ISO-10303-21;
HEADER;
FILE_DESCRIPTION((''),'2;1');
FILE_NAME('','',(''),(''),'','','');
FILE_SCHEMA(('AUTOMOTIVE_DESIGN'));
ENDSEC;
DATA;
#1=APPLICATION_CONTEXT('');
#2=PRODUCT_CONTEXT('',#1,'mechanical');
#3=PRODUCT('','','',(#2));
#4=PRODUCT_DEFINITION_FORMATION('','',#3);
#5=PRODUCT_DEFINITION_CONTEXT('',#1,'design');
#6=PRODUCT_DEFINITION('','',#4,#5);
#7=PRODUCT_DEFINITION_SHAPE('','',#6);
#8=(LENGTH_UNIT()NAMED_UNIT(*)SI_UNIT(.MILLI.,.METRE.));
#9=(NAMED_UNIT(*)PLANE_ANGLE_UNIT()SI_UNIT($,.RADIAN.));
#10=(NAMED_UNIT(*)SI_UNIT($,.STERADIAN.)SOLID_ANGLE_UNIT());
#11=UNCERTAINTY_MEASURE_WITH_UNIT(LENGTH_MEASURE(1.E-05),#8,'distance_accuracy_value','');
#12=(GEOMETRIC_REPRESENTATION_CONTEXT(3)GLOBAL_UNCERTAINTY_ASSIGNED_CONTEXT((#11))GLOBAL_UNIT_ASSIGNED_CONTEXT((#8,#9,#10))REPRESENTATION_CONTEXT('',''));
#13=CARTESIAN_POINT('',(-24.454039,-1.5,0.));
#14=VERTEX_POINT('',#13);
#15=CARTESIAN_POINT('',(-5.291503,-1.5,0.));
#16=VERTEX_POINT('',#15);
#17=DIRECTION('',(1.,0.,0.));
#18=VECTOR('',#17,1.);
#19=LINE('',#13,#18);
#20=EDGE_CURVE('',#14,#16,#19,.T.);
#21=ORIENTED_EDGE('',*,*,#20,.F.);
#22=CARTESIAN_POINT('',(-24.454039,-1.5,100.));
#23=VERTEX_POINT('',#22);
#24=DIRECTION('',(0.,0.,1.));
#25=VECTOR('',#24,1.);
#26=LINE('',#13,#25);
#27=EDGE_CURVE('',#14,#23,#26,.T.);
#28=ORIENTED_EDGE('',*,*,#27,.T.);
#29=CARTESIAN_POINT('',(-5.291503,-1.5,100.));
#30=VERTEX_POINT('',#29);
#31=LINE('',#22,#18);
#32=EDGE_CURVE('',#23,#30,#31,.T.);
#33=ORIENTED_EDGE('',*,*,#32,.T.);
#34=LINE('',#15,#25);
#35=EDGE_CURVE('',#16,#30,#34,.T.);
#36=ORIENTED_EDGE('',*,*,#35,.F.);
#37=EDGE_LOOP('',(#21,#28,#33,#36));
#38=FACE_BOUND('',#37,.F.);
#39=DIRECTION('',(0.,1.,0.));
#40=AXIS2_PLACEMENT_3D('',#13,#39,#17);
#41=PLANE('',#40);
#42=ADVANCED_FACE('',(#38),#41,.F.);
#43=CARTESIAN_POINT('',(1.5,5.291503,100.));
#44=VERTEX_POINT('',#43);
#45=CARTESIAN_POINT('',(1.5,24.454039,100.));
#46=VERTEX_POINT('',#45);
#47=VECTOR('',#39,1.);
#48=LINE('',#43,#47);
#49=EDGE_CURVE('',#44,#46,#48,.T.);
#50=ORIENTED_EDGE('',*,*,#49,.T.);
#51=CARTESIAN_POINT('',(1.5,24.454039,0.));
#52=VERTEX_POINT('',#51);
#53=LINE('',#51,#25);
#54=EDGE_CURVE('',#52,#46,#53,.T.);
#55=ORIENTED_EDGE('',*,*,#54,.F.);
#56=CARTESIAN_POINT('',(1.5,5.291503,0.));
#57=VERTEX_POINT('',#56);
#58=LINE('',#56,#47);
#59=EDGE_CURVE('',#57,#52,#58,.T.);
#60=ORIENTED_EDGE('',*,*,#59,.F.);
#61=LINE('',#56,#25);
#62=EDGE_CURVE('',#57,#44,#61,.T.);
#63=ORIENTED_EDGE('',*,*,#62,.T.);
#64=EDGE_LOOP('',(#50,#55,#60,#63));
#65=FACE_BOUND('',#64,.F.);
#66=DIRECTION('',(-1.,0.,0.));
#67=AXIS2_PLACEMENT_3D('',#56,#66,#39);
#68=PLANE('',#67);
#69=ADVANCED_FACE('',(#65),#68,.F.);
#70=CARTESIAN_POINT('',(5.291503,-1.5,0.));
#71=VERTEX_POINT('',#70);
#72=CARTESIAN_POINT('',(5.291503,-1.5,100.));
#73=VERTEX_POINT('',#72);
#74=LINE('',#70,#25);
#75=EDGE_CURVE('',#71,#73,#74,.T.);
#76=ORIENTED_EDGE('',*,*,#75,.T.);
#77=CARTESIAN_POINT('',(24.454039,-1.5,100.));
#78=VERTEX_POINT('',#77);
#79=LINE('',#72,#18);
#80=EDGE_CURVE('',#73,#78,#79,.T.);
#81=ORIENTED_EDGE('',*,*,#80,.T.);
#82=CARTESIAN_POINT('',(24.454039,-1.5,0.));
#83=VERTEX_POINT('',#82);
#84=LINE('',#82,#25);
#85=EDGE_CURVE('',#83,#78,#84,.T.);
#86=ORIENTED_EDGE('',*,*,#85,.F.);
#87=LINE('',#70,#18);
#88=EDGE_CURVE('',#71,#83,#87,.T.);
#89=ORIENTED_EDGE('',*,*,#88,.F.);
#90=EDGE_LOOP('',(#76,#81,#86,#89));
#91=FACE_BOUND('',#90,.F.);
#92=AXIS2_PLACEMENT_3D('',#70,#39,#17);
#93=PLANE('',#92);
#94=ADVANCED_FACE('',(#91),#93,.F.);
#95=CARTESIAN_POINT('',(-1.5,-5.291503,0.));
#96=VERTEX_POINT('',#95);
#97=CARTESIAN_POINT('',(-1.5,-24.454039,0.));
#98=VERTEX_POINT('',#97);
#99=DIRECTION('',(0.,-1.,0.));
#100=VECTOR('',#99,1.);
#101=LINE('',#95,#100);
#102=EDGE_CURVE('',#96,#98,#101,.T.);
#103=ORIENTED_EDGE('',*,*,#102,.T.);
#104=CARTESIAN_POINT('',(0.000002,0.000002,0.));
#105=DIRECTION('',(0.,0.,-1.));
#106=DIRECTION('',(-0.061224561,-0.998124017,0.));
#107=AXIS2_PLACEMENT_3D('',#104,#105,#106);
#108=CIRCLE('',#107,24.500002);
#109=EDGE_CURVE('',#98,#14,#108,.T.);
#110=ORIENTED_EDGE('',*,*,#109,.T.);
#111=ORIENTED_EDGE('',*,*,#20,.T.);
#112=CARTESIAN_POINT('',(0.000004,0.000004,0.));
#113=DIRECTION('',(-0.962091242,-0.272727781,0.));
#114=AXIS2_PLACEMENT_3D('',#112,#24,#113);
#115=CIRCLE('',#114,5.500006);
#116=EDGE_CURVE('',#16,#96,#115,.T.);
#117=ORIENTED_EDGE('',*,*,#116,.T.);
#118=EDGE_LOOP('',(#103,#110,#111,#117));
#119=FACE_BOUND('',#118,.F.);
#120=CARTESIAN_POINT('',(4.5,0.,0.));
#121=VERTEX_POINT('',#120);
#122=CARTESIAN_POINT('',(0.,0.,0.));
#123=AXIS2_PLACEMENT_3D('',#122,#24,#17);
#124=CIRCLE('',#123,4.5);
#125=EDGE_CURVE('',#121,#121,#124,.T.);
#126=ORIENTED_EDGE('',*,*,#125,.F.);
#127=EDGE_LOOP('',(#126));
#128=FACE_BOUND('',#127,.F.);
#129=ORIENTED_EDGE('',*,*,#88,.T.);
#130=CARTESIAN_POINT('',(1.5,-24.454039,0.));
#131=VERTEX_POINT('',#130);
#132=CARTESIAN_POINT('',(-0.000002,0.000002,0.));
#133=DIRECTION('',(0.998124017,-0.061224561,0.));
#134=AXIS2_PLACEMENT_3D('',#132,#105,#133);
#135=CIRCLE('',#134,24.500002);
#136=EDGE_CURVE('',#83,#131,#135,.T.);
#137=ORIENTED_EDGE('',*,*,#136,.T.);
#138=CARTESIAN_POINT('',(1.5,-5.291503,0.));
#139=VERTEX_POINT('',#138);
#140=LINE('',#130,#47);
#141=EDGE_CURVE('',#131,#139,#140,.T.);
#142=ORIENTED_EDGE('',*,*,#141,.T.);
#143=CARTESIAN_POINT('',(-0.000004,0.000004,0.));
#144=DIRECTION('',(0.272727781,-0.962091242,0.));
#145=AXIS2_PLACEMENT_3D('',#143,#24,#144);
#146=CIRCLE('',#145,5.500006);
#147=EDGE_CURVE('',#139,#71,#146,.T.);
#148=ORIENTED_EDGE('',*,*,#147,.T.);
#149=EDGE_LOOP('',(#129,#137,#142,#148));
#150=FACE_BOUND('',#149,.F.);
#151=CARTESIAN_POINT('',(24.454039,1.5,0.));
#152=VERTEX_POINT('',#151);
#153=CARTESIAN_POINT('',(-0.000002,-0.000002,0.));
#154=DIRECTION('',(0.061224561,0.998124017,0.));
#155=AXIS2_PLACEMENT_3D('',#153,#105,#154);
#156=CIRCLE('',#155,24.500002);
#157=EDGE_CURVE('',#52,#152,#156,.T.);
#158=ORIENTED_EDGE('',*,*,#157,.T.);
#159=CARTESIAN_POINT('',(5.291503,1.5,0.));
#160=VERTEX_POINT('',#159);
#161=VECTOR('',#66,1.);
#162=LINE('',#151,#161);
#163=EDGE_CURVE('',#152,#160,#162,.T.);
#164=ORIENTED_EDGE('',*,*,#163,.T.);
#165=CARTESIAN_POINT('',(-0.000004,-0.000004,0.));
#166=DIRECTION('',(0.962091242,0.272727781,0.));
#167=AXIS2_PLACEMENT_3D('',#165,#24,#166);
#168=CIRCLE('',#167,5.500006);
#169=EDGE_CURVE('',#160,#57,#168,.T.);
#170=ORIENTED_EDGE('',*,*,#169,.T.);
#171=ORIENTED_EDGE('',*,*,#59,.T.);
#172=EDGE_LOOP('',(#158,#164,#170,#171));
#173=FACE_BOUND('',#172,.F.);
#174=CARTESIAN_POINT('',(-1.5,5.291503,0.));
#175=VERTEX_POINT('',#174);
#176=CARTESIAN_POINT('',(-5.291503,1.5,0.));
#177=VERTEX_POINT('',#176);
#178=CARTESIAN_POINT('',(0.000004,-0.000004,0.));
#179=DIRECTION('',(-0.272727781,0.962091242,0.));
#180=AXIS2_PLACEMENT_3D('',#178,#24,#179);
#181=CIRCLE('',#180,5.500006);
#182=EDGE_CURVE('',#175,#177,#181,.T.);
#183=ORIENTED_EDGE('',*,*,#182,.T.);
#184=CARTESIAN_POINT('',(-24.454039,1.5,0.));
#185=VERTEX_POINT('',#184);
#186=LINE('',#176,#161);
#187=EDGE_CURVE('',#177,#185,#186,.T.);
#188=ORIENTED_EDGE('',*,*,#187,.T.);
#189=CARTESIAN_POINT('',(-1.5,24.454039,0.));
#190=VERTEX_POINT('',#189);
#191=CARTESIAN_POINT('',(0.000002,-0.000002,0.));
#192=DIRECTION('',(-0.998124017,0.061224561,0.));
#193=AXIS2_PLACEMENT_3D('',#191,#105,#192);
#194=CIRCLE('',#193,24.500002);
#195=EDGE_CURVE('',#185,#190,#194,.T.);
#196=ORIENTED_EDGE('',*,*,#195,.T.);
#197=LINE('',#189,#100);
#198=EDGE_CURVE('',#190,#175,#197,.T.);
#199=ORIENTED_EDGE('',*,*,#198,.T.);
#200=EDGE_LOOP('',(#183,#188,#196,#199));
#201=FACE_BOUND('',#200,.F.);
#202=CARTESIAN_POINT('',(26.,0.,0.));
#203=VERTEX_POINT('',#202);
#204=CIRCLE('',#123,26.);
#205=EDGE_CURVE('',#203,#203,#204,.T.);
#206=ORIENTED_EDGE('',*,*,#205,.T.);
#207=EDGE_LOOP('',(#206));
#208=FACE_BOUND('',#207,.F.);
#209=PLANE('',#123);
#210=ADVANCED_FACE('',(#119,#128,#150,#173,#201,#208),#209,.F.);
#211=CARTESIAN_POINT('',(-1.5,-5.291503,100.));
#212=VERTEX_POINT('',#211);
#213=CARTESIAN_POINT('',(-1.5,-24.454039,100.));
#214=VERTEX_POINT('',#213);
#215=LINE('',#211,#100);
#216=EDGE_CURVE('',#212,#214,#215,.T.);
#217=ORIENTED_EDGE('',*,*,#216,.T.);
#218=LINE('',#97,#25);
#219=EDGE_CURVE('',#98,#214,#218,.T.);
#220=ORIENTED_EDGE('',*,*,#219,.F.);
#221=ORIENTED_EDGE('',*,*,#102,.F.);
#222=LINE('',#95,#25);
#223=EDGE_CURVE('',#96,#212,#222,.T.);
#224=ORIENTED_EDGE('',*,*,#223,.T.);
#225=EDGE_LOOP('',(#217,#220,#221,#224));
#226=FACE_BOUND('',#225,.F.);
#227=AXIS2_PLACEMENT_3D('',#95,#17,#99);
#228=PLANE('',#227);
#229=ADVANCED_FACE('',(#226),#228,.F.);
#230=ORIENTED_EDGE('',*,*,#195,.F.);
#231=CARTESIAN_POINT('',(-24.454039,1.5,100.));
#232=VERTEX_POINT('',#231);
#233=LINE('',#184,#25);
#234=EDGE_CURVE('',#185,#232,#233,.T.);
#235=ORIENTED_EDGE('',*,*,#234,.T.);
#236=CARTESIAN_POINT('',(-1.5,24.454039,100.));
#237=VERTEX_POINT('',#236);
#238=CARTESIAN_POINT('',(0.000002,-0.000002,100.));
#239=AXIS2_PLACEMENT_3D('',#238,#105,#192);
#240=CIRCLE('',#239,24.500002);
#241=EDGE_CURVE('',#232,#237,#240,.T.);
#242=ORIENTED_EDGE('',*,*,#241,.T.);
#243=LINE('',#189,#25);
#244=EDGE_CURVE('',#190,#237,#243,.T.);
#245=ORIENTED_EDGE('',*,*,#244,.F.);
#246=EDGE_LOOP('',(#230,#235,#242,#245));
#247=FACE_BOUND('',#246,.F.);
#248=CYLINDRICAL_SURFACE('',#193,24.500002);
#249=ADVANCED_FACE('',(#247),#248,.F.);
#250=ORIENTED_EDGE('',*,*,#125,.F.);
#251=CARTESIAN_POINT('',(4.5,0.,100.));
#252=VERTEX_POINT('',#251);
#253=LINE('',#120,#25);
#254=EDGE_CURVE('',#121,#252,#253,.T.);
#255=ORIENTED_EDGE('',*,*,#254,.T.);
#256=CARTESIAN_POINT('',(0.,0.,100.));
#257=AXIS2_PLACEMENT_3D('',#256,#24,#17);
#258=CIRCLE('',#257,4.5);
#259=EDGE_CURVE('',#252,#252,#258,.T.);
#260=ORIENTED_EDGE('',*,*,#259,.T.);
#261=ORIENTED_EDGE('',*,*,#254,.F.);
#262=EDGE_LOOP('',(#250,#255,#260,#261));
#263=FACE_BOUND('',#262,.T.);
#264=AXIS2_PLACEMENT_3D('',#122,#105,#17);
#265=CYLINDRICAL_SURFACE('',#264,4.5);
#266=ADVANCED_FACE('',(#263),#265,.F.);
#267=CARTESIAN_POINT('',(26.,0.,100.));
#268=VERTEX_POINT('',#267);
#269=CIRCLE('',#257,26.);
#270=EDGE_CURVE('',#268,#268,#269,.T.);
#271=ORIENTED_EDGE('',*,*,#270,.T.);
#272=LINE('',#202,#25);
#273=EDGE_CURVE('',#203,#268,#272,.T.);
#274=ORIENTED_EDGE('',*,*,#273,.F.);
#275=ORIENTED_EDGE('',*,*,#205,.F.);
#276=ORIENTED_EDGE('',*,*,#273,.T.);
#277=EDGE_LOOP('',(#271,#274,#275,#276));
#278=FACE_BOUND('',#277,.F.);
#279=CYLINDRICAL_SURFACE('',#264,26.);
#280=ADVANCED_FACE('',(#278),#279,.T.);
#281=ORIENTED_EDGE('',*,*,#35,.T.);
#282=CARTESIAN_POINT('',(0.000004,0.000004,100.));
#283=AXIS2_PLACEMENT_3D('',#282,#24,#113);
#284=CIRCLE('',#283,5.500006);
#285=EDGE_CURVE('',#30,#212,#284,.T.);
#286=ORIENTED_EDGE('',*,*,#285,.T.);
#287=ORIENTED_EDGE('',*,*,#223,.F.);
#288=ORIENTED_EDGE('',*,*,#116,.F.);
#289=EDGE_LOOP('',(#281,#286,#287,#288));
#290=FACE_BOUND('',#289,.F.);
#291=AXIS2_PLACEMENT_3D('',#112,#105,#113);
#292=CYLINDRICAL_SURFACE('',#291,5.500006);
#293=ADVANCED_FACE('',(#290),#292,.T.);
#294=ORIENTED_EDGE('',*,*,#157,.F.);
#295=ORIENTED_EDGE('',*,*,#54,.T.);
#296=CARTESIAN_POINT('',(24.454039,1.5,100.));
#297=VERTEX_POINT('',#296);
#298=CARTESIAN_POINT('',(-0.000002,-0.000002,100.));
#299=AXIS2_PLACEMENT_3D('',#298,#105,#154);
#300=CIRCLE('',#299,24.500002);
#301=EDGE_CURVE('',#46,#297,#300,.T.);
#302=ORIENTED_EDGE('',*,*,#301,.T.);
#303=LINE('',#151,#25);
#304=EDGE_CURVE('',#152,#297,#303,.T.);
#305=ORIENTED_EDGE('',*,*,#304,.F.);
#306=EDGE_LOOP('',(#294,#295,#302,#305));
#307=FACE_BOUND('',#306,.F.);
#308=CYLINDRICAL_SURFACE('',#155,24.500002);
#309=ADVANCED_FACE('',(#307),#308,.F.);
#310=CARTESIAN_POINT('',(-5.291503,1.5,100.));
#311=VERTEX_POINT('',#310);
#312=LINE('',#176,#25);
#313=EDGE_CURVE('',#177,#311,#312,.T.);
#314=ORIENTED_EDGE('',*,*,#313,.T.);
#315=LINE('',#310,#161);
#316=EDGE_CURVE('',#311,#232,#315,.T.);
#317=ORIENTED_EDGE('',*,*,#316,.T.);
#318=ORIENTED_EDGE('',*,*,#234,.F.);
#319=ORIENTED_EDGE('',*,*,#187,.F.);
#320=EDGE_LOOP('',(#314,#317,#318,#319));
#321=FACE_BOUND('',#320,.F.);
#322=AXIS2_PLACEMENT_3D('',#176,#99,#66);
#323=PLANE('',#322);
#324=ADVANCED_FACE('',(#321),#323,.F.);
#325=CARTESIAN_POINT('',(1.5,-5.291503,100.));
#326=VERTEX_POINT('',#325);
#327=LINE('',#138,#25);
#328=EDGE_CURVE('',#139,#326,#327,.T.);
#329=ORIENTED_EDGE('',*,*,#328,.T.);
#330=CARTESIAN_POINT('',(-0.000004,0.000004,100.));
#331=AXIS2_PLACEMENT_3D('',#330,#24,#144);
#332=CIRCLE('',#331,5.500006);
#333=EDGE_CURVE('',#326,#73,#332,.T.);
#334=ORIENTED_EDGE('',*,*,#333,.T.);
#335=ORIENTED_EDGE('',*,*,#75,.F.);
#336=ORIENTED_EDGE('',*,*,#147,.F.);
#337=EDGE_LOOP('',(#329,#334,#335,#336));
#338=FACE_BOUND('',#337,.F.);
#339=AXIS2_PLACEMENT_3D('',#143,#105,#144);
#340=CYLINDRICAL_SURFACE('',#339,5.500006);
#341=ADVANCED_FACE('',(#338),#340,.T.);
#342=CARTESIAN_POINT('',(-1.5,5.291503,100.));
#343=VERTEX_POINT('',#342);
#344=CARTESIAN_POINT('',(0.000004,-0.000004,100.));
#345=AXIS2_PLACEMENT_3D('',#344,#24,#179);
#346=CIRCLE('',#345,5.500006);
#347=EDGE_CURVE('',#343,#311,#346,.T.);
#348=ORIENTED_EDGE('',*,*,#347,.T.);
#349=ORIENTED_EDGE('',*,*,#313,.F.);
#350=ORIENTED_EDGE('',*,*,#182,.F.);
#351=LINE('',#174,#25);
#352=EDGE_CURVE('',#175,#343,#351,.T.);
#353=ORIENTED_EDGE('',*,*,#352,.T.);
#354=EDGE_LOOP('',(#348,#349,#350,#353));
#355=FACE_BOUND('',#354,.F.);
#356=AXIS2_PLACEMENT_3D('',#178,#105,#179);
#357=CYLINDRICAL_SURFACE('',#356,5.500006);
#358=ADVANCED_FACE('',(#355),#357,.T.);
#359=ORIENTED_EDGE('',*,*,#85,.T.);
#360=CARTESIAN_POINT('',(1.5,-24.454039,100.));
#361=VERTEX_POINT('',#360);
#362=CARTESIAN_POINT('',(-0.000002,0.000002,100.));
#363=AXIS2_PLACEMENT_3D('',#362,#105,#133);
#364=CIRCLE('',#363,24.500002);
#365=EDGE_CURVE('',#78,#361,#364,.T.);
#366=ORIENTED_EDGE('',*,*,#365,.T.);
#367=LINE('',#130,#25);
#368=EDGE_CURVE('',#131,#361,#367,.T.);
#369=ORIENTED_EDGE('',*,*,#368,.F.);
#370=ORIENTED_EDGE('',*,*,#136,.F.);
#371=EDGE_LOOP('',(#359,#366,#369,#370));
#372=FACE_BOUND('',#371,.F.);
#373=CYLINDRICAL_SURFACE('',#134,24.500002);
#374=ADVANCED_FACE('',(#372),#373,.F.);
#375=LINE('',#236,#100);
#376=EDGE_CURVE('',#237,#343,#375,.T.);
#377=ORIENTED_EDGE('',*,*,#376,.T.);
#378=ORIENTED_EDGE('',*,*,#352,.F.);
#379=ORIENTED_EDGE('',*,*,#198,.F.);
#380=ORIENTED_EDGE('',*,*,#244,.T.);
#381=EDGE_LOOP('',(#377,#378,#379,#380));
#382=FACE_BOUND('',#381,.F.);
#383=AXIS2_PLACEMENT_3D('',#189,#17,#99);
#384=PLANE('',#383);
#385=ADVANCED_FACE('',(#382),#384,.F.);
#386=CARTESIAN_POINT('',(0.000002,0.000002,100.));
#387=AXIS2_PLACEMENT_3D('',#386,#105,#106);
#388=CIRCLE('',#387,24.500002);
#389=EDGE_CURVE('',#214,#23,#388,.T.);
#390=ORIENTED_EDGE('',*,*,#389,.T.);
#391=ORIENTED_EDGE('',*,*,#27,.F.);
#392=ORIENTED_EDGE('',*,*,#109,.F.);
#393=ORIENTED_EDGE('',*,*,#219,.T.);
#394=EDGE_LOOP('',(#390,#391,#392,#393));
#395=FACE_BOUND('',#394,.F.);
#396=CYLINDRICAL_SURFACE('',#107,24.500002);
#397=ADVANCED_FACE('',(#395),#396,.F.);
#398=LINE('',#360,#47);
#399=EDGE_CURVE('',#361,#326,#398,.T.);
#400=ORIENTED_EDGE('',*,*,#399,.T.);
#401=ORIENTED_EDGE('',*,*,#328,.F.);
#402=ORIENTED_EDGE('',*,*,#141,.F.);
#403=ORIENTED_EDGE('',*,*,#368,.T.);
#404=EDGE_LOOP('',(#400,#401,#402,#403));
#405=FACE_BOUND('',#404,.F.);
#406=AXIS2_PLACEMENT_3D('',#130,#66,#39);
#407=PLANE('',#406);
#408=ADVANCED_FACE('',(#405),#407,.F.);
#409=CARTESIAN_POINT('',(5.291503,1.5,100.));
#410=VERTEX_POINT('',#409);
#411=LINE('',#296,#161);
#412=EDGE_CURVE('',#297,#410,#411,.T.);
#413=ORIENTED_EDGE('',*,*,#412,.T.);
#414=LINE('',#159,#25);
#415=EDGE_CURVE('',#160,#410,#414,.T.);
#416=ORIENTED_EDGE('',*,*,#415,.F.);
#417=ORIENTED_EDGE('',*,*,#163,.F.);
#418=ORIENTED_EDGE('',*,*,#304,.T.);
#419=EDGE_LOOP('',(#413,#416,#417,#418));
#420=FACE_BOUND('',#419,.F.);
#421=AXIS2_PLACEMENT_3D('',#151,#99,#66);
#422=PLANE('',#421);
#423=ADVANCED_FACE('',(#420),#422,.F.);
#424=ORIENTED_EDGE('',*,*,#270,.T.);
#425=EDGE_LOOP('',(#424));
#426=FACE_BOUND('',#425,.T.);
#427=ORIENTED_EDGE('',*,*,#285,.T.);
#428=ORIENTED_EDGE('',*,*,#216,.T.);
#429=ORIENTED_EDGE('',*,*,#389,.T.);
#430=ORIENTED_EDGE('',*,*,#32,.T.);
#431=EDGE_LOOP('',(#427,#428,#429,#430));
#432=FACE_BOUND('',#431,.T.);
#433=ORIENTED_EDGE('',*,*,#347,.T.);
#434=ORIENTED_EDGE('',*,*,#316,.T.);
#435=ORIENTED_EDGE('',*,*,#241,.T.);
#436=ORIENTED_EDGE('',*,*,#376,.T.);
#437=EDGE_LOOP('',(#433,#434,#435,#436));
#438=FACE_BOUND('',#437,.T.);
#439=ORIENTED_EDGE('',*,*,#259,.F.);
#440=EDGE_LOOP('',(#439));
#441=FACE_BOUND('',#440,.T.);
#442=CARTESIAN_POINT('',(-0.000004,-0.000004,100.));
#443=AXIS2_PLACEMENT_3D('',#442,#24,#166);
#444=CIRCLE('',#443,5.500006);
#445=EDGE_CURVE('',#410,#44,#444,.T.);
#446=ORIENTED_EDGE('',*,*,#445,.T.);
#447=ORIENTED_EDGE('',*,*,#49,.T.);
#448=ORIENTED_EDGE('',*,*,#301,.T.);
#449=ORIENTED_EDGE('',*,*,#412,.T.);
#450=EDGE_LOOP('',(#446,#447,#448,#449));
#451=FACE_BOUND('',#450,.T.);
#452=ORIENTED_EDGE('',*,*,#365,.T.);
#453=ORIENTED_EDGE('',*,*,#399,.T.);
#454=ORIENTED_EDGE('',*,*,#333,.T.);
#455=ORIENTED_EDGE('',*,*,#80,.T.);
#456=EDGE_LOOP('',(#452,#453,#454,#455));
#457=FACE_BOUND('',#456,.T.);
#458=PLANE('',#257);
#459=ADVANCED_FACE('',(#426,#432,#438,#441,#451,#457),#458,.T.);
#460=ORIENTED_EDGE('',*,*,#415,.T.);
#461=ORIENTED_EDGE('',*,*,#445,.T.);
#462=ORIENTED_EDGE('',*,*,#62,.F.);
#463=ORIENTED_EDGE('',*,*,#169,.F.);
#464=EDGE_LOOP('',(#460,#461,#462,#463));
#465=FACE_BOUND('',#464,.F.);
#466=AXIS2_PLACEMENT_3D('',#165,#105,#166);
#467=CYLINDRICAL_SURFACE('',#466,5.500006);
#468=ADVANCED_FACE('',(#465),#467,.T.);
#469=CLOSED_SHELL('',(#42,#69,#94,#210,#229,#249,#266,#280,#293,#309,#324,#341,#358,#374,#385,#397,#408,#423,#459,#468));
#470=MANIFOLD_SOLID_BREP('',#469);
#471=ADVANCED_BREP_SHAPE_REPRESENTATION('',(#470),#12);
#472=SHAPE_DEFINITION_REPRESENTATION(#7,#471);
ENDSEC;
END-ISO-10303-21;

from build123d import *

# Parameters (mm, degrees)
F0_R     = 26
F0_R_2   = 4.5
F1_DEPTH = 100


with BuildPart() as f1:
    # F0 (on Top) → F1 (new body)
    with BuildSketch(Plane.XY):
        Circle(F0_R)
        with BuildLine():
            ThreePointArc((24.454039, 1.5), (24.488507, 0.750352), (24.5, 0))
            ThreePointArc((24.5, 0), (24.488507, -0.750352), (24.454039, -1.5))
            ThreePointArc((24.454039, -1.5), (17.324116, -17.324116), (1.5, -24.454039))
            ThreePointArc((1.5, -24.454039), (0.750352, -24.488507), (0, -24.5))
            ThreePointArc((0, -24.5), (-0.750352, -24.488507), (-1.5, -24.454039))
            ThreePointArc((-1.5, -24.454039), (-17.324116, -17.324116), (-24.454039, -1.5))
            ThreePointArc((-24.454039, -1.5), (-24.488507, -0.750352), (-24.5, 0))
            ThreePointArc((-24.5, 0), (-24.488507, 0.750352), (-24.454039, 1.5))
            ThreePointArc((-24.454039, 1.5), (-17.324116, 17.324116), (-1.5, 24.454039))
            ThreePointArc((-1.5, 24.454039), (-0.750352, 24.488507), (0, 24.5))
            ThreePointArc((0, 24.5), (0.750352, 24.488507), (1.5, 24.454039))
            ThreePointArc((1.5, 24.454039), (17.324116, 17.324116), (24.454039, 1.5))
        make_face(mode=Mode.SUBTRACT)
        with BuildLine():
            Line((0, 5.5), (0, 24.5))
            ThreePointArc((0, 24.5), (-0.750352, 24.488507), (-1.5, 24.454039))
            Line((-1.5, 24.454039), (-1.5, 5.291503))
            ThreePointArc((-1.5, 5.291503), (-0.757211, 5.447626), (0, 5.5))
        make_face()
        with BuildLine():
            Line((1.5, 5.291503), (1.5, 24.454039))
            ThreePointArc((1.5, 24.454039), (0.750352, 24.488507), (0, 24.5))
            Line((0, 24.5), (0, 5.5))
            ThreePointArc((0, 5.5), (0.757211, 5.447626), (1.5, 5.291503))
        make_face()
        with BuildLine():
            ThreePointArc((5.291503, -1.5), (5.447626, -0.757211), (5.5, 0))
            ThreePointArc((5.5, 0), (5.447626, 0.757211), (5.291503, 1.5))
            ThreePointArc((5.291503, 1.5), (3.889087, 3.889087), (1.5, 5.291503))
            ThreePointArc((1.5, 5.291503), (0.757211, 5.447626), (0, 5.5))
            ThreePointArc((0, 5.5), (-0.757211, 5.447626), (-1.5, 5.291503))
            ThreePointArc((-1.5, 5.291503), (-3.889087, 3.889087), (-5.291503, 1.5))
            ThreePointArc((-5.291503, 1.5), (-5.447626, 0.757211), (-5.5, 0))
            ThreePointArc((-5.5, 0), (-5.447626, -0.757211), (-5.291503, -1.5))
            ThreePointArc((-5.291503, -1.5), (-3.889087, -3.889087), (-1.5, -5.291503))
            ThreePointArc((-1.5, -5.291503), (-0.757211, -5.447626), (0, -5.5))
            ThreePointArc((0, -5.5), (0.757211, -5.447626), (1.5, -5.291503))
            ThreePointArc((1.5, -5.291503), (3.889087, -3.889087), (5.291503, -1.5))
        make_face()
        Circle(F0_R_2, mode=Mode.SUBTRACT)
        with BuildLine():
            Line((5.5, 0), (24.5, 0))
            ThreePointArc((24.5, 0), (24.488507, 0.750352), (24.454039, 1.5))
            Line((24.454039, 1.5), (5.291503, 1.5))
            ThreePointArc((5.291503, 1.5), (5.447626, 0.757211), (5.5, 0))
        make_face()
        with BuildLine():
            ThreePointArc((24.454039, -1.5), (24.488507, -0.750352), (24.5, 0))
            Line((24.5, 0), (5.5, 0))
            ThreePointArc((5.5, 0), (5.447626, -0.757211), (5.291503, -1.5))
            Line((5.291503, -1.5), (24.454039, -1.5))
        make_face()
        with BuildLine():
            ThreePointArc((-1.5, -24.454039), (-0.750352, -24.488507), (0, -24.5))
            Line((0, -24.5), (0, -5.5))
            ThreePointArc((0, -5.5), (-0.757211, -5.447626), (-1.5, -5.291503))
            Line((-1.5, -5.291503), (-1.5, -24.454039))
        make_face()
        with BuildLine():
            Line((-5.291503, 1.5), (-24.454039, 1.5))
            ThreePointArc((-24.454039, 1.5), (-24.488507, 0.750352), (-24.5, 0))
            Line((-24.5, 0), (-5.5, 0))
            ThreePointArc((-5.5, 0), (-5.447626, 0.757211), (-5.291503, 1.5))
        make_face()
        with BuildLine():
            ThreePointArc((-24.5, 0), (-24.488507, -0.750352), (-24.454039, -1.5))
            Line((-24.454039, -1.5), (-5.291503, -1.5))
            ThreePointArc((-5.291503, -1.5), (-5.447626, -0.757211), (-5.5, 0))
            Line((-5.5, 0), (-24.5, 0))
        make_face()
        with BuildLine():
            ThreePointArc((0, -24.5), (0.750352, -24.488507), (1.5, -24.454039))
            Line((1.5, -24.454039), (1.5, -5.291503))
            ThreePointArc((1.5, -5.291503), (0.757211, -5.447626), (0, -5.5))
            Line((0, -5.5), (0, -24.5))
        make_face()
    extrude(amount=F1_DEPTH)


solid = f1.part
